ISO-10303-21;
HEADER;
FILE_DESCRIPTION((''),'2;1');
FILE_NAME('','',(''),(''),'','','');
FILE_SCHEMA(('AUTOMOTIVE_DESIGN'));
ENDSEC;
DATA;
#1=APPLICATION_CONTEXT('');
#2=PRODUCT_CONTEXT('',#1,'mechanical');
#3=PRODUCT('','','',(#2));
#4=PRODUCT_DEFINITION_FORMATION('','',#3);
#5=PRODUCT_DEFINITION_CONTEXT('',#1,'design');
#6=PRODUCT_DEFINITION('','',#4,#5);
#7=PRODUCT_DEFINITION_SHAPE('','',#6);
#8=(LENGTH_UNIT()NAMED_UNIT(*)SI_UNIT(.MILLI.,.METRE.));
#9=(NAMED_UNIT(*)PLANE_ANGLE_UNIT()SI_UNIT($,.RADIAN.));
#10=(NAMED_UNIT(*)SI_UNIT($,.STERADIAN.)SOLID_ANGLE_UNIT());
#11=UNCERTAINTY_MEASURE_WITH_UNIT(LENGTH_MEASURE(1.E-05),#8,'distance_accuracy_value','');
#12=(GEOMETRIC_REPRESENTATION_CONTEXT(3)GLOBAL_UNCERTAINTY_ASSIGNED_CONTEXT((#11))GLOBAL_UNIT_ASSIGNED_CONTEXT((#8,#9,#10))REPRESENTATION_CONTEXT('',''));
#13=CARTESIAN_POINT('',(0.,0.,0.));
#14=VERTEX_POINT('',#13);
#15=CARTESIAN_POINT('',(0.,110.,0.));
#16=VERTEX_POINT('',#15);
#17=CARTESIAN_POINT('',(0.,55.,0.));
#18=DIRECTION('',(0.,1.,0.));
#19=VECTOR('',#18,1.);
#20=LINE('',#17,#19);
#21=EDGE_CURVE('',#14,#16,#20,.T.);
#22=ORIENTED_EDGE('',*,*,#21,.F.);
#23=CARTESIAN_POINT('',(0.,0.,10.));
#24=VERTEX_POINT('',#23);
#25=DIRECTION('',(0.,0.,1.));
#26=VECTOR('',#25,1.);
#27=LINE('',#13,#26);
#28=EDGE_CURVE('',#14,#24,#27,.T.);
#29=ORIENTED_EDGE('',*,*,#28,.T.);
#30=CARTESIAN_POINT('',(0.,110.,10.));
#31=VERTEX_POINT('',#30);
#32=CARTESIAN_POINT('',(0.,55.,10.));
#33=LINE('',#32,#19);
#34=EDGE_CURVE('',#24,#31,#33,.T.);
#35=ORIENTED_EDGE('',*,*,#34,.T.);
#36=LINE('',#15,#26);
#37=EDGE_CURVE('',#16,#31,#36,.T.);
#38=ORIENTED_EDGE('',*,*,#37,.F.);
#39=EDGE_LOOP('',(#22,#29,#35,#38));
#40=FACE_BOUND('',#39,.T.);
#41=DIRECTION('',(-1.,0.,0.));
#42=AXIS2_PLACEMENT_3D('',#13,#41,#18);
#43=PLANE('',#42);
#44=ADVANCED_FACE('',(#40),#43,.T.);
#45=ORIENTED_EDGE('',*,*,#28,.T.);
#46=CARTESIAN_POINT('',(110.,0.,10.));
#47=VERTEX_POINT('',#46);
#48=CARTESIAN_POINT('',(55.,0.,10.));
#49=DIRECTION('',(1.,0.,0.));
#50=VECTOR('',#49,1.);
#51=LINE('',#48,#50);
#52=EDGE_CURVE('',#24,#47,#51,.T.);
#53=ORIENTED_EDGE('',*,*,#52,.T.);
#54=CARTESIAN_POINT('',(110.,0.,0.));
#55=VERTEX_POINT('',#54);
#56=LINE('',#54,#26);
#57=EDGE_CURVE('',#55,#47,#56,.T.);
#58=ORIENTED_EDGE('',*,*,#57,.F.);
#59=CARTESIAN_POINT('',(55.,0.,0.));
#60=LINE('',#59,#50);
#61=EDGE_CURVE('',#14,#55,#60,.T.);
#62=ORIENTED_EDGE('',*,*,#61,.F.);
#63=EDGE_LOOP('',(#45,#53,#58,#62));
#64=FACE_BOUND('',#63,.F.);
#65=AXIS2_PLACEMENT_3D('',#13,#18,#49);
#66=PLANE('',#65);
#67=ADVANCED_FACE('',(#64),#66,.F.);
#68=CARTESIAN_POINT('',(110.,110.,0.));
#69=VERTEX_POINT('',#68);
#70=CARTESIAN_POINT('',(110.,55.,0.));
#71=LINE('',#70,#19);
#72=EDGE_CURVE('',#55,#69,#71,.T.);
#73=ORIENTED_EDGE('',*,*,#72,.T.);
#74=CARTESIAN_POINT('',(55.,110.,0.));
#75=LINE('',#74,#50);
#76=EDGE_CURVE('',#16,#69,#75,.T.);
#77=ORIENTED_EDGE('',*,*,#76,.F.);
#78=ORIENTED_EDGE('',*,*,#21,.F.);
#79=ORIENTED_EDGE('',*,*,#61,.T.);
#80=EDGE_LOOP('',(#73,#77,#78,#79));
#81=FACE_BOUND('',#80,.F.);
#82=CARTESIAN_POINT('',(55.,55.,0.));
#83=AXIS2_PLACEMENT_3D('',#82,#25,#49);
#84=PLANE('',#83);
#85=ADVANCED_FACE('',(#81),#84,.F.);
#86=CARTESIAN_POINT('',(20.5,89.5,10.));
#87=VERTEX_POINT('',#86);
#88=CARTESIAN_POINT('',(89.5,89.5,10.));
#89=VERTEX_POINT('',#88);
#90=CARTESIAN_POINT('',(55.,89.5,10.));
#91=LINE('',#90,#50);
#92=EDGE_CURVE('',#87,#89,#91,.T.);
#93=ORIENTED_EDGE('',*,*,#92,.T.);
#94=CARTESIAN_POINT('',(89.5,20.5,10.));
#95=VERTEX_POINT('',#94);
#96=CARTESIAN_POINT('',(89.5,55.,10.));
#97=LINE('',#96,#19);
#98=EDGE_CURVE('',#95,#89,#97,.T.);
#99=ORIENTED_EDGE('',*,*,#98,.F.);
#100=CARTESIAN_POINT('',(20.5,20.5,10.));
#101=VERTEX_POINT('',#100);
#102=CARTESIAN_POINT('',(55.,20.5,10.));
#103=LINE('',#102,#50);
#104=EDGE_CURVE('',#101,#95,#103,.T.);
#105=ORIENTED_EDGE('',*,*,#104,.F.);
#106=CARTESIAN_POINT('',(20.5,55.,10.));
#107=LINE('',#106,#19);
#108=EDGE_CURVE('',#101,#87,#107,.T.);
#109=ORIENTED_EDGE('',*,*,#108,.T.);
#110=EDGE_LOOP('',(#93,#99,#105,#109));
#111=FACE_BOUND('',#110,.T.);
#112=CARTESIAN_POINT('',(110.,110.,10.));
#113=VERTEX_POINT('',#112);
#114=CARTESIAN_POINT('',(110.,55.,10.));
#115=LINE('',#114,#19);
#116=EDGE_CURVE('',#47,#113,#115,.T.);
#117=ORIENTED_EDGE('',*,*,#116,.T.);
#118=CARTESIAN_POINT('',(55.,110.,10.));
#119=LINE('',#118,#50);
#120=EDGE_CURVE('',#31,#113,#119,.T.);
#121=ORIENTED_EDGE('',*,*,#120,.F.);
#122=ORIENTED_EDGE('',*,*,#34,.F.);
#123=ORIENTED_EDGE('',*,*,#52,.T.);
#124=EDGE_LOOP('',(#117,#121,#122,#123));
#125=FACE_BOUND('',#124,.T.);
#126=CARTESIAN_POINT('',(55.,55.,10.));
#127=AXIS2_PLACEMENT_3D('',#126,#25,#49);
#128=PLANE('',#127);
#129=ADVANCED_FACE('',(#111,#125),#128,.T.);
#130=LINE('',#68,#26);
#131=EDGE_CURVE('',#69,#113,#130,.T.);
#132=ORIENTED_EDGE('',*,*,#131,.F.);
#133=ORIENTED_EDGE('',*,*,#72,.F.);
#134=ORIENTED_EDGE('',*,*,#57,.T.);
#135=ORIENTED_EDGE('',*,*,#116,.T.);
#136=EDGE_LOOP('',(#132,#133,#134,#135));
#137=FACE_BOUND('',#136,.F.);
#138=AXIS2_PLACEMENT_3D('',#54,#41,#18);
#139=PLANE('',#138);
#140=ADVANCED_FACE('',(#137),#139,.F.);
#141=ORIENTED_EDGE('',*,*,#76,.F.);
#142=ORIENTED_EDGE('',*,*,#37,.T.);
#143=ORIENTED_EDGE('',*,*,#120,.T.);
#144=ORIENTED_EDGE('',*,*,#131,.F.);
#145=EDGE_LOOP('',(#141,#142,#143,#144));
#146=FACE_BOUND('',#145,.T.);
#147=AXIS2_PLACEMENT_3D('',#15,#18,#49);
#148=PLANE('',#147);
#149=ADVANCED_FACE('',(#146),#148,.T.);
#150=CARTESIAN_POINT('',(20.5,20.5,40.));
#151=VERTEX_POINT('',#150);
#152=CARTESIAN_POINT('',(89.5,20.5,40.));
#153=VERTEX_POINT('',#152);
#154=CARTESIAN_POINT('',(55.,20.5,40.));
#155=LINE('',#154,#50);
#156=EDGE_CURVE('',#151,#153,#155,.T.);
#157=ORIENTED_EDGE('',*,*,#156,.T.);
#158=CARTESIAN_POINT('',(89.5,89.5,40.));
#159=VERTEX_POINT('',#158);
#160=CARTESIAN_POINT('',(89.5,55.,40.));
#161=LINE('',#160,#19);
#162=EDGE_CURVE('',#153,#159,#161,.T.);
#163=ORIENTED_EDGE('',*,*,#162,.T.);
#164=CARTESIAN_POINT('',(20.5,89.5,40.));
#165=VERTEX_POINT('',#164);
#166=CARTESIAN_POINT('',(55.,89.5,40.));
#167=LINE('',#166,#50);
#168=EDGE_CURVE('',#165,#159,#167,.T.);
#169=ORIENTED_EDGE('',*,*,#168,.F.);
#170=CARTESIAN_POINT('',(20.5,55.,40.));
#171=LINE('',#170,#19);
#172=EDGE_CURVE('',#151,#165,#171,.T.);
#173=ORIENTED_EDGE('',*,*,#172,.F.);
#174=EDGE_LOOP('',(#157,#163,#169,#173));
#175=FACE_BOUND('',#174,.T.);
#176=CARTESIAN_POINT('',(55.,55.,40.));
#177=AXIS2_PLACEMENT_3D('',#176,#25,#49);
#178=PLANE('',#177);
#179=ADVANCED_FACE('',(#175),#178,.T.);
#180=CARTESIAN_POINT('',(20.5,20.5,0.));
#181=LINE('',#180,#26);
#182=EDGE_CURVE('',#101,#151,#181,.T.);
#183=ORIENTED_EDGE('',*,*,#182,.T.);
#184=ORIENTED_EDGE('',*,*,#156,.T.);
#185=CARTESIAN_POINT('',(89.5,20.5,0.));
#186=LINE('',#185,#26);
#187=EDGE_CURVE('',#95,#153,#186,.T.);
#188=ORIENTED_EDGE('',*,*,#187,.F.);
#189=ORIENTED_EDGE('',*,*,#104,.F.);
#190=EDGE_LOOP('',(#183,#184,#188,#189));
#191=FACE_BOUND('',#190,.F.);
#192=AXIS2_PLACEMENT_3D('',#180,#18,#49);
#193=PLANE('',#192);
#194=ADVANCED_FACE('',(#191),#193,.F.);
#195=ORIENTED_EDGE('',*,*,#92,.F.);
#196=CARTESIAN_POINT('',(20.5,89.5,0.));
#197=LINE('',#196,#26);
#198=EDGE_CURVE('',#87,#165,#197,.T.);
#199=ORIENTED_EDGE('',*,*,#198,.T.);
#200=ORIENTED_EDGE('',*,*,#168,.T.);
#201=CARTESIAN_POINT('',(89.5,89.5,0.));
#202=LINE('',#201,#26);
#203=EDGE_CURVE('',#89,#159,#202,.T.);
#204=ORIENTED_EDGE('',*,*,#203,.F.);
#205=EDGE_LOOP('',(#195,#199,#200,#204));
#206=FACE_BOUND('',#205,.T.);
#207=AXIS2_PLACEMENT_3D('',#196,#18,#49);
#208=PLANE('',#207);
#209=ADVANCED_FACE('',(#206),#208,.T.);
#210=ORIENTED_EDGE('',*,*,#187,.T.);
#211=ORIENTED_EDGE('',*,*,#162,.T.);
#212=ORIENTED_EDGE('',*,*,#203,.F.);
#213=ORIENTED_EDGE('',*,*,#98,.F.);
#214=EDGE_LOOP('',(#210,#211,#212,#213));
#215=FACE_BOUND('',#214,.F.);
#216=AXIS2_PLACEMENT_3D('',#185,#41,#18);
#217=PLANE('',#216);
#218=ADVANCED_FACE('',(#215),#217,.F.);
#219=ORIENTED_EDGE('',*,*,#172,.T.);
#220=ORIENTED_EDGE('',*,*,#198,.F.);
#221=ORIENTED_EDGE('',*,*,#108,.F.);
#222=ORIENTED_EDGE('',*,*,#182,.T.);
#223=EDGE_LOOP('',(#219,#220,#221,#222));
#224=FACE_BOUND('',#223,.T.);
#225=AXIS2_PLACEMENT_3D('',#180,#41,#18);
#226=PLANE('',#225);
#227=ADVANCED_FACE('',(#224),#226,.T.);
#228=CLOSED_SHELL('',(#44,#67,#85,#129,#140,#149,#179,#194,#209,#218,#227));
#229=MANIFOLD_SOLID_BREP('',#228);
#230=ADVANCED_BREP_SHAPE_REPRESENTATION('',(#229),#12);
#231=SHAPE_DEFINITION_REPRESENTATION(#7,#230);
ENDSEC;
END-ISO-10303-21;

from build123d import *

# Parameters (mm, degrees)
F0_W     = 110
F0_H     = 110
F0_W_2   = 69
F0_H_2   = 69
F1_DEPTH = 10
F2_DEPTH = 40


with BuildPart() as f1:
    # F0 (on Top) → F1 (new body)
    with BuildSketch(Plane.XY):
        with Locations((55, 55)):
            Rectangle(F0_W, F0_H)
        with Locations((55, 55)):
            Rectangle(F0_W_2, F0_H_2, mode=Mode.SUBTRACT)
    extrude(amount=F1_DEPTH)

    # F0 (on Top) → F2 (join)
    with BuildSketch(Plane.XY):
        with Locations((55, 55)):
            Rectangle(F0_W_2, F0_H_2)
    extrude(amount=F2_DEPTH)


solid = f1.part
